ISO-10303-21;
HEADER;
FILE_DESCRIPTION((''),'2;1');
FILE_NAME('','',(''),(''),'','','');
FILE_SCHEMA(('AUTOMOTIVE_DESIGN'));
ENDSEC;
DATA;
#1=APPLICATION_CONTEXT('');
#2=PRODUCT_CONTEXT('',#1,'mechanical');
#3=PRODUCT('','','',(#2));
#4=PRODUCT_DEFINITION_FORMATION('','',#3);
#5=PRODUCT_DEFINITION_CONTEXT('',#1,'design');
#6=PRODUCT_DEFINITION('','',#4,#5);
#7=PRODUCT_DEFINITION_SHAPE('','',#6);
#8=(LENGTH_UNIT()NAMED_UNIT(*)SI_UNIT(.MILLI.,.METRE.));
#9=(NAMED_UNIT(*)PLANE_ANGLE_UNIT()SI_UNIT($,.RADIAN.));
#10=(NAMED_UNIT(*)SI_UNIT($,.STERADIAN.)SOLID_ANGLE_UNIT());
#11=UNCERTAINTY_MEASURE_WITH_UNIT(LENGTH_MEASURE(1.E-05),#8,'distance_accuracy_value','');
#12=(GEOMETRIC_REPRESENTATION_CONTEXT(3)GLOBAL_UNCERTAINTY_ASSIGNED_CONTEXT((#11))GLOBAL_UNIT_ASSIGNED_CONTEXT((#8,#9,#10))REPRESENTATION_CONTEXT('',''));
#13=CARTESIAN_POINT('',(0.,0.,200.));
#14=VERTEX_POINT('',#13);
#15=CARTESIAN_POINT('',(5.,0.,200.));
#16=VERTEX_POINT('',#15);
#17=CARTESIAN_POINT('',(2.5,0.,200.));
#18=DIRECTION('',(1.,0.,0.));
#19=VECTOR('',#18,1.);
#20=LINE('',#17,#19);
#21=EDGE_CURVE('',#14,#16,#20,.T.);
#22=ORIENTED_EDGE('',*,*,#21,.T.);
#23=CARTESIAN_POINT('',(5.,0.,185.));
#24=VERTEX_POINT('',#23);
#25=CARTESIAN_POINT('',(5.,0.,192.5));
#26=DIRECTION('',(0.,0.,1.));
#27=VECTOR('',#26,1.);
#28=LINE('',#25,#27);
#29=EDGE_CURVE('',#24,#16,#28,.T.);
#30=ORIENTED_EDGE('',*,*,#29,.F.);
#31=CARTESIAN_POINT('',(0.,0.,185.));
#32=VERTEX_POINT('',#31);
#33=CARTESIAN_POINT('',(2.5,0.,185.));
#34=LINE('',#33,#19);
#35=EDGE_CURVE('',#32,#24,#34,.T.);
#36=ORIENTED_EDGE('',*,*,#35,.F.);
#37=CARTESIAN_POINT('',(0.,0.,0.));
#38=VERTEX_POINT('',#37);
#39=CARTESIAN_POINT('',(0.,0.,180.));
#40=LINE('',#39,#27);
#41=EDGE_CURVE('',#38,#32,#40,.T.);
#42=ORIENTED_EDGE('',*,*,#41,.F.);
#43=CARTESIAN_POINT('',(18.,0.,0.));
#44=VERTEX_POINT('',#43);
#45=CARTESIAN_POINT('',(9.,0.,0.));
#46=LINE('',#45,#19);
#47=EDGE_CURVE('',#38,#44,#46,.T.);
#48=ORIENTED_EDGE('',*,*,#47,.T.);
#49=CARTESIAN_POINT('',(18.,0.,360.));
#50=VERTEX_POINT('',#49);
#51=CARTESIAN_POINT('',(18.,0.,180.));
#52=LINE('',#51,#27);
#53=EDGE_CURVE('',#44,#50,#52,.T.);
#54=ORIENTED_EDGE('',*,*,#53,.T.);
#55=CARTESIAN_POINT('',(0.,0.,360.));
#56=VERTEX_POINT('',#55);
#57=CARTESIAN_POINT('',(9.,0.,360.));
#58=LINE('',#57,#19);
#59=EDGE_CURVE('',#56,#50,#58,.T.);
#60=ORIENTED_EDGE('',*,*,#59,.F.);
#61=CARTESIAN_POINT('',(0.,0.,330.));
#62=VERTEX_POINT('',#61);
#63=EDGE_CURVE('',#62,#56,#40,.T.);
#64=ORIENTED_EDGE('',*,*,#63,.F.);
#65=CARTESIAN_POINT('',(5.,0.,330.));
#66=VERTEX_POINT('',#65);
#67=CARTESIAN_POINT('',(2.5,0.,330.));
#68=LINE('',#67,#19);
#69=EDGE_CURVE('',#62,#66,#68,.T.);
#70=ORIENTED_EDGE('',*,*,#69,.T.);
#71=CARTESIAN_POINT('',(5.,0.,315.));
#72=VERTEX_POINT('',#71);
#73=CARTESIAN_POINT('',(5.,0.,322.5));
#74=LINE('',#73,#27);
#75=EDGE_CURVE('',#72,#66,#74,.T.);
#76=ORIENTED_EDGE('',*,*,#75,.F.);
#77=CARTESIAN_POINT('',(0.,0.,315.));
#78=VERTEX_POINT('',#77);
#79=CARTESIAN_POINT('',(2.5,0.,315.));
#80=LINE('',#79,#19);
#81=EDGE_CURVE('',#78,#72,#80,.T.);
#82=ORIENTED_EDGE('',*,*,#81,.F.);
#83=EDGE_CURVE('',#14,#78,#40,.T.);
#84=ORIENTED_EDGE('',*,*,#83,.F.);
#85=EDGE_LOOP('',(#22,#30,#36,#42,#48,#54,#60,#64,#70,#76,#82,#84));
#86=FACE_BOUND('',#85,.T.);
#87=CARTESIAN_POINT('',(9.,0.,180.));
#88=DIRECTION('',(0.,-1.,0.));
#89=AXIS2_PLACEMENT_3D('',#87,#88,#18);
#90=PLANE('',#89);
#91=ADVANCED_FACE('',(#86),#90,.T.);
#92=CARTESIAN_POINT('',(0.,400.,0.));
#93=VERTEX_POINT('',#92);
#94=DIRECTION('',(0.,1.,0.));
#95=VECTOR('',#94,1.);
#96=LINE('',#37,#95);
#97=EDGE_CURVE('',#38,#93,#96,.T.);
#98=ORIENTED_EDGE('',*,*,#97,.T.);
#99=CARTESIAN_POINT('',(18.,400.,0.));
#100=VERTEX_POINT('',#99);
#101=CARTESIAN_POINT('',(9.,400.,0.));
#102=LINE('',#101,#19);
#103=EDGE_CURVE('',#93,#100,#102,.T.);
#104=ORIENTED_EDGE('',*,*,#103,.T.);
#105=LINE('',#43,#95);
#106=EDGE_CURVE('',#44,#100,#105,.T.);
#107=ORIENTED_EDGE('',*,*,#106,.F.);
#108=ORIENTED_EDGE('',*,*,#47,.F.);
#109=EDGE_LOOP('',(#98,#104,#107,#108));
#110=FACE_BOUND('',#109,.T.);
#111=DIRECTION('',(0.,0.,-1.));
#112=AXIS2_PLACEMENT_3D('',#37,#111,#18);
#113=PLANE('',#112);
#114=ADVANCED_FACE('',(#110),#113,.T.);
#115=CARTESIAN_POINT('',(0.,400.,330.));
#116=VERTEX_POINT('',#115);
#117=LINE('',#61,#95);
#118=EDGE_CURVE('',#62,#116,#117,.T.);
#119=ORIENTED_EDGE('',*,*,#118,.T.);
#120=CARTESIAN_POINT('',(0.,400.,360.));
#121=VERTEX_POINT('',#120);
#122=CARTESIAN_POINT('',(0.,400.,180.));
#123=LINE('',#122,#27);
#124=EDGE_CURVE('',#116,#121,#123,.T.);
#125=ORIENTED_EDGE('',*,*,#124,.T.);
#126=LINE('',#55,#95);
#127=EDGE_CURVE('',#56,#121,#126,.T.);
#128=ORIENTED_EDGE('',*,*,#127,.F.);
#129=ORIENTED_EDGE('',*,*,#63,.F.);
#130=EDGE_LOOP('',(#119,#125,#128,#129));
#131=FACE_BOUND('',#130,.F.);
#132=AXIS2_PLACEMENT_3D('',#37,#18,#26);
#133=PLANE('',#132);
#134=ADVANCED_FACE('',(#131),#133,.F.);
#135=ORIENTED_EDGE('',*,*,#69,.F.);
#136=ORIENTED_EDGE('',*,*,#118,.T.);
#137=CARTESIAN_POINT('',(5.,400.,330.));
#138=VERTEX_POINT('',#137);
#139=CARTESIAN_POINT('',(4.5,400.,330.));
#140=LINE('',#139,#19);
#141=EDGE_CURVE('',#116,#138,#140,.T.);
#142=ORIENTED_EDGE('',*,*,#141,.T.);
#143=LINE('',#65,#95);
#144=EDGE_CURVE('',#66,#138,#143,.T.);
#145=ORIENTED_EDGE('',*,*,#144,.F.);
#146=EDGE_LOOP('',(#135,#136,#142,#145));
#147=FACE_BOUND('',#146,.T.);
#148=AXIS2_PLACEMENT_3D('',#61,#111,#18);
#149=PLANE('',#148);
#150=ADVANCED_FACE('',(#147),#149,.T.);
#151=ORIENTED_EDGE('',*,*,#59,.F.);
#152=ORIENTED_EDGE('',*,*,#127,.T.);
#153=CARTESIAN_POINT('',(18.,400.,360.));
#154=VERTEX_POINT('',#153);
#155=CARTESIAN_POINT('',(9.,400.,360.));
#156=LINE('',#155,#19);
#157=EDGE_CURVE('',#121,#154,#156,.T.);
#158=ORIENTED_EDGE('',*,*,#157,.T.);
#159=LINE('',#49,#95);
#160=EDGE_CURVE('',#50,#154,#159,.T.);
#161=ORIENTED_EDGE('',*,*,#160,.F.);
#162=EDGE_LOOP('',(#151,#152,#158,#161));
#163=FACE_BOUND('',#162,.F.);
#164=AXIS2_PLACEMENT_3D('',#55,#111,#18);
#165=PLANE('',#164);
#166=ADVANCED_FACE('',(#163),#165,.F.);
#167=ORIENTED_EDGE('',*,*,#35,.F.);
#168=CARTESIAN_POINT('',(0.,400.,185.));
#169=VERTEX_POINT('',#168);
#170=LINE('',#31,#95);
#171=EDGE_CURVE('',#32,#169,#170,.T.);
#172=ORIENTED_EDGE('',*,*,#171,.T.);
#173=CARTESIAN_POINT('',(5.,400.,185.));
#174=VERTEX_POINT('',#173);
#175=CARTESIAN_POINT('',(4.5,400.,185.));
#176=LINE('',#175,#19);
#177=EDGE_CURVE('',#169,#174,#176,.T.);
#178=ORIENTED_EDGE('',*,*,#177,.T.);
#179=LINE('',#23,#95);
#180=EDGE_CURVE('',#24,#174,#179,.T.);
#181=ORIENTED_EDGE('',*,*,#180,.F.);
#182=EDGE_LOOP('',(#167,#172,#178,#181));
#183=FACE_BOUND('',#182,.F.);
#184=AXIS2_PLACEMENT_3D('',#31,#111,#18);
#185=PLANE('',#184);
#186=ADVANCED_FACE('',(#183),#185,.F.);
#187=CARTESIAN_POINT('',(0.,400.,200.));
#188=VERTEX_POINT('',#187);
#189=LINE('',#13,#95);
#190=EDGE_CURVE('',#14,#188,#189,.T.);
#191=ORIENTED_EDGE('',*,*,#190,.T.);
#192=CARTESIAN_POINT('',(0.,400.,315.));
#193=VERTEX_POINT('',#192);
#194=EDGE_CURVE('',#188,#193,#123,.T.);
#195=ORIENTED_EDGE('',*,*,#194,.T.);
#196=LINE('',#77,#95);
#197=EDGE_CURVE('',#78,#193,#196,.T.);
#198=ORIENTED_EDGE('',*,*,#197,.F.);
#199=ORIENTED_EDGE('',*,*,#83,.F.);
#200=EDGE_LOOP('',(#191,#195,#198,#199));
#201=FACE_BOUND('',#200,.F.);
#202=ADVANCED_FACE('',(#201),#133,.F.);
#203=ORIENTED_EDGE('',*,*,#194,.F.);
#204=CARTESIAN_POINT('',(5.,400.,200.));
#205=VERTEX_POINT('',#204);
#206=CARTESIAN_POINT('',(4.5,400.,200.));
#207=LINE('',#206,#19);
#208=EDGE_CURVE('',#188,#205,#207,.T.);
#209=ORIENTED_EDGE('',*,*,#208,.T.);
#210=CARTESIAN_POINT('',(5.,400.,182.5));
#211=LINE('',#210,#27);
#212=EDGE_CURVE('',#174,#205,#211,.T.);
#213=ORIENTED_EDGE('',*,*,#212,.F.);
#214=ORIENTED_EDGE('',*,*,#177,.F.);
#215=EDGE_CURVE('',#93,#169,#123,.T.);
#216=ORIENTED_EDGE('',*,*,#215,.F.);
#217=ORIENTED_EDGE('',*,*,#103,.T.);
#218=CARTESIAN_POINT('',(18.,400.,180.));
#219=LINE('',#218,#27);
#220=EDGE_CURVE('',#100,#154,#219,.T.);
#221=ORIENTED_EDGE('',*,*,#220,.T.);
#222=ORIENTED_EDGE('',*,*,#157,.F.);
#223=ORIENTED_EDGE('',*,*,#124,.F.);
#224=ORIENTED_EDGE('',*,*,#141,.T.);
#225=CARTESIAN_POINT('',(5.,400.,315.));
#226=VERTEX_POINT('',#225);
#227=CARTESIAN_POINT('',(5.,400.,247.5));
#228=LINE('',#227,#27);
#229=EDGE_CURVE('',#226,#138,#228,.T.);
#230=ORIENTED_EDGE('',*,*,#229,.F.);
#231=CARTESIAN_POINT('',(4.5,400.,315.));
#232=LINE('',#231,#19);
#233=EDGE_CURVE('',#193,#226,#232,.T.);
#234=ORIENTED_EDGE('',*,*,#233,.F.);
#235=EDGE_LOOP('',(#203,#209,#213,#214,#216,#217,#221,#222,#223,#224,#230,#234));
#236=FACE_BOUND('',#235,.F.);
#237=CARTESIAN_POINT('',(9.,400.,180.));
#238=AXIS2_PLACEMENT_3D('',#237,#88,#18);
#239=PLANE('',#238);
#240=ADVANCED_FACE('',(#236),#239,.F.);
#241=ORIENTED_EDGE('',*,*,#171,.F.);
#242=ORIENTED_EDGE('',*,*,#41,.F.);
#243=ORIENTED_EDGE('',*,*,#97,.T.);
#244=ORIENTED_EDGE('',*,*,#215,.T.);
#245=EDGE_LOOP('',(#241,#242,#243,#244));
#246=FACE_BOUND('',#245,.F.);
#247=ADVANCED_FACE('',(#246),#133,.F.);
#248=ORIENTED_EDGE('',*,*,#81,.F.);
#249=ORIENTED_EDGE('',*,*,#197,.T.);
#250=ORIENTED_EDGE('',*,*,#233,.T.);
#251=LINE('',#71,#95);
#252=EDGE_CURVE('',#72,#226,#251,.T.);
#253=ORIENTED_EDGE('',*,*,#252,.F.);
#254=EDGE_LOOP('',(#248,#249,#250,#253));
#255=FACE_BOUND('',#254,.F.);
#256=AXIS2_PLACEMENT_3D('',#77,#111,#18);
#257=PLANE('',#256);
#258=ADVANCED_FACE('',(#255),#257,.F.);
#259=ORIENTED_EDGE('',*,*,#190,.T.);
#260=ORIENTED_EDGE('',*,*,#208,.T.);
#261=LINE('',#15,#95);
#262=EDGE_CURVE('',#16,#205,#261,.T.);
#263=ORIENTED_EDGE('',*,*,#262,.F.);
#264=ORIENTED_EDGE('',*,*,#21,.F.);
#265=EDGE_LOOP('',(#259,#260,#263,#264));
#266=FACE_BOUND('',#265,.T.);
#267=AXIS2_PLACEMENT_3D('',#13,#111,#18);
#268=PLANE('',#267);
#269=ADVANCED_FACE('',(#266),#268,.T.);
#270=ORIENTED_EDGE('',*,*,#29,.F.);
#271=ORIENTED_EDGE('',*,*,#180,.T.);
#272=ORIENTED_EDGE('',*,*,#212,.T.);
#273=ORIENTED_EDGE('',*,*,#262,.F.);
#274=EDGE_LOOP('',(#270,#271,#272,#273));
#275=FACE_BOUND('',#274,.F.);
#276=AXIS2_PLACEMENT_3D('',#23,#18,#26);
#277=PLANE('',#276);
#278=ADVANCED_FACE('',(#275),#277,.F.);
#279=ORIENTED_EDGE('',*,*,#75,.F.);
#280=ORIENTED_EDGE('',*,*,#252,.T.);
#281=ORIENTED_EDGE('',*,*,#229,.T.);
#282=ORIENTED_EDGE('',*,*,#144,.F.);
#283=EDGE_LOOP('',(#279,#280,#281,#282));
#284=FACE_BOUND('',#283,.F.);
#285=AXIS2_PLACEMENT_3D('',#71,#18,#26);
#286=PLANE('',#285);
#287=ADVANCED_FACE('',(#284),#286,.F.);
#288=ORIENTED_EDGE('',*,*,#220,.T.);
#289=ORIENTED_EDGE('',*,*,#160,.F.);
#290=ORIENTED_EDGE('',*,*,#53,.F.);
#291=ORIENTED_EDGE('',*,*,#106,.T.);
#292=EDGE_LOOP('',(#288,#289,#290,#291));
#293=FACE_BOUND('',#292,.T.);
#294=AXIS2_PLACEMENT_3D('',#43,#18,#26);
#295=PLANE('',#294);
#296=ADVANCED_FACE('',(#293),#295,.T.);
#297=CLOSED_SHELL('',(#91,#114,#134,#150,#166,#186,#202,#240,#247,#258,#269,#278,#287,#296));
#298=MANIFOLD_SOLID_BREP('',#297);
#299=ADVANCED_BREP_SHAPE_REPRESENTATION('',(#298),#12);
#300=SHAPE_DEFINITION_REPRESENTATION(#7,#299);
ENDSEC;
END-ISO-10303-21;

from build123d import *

# Parameters (mm, degrees)
F0_W     = 18
F0_H     = 360
F1_DEPTH = 400
F2_W     = 5
F2_H     = 15
F3_DEPTH = 400.001


with BuildPart() as f1:
    # F0 (on Front) → F1 (new body)
    with BuildSketch(Plane.XZ):
        with Locations((9, 180)):
            Rectangle(F0_W, F0_H)
    extrude(amount=-F1_DEPTH)

    # F2 (on face) → F3 (cut, through all)
    with BuildSketch(Plane.XZ):
        with Locations((2.5, 192.5)):
            Rectangle(F2_W, F2_H)
        with Locations((2.5, 322.5)):
            Rectangle(F2_W, F2_H)
    extrude(amount=-F3_DEPTH, mode=Mode.SUBTRACT)


solid = f1.part
